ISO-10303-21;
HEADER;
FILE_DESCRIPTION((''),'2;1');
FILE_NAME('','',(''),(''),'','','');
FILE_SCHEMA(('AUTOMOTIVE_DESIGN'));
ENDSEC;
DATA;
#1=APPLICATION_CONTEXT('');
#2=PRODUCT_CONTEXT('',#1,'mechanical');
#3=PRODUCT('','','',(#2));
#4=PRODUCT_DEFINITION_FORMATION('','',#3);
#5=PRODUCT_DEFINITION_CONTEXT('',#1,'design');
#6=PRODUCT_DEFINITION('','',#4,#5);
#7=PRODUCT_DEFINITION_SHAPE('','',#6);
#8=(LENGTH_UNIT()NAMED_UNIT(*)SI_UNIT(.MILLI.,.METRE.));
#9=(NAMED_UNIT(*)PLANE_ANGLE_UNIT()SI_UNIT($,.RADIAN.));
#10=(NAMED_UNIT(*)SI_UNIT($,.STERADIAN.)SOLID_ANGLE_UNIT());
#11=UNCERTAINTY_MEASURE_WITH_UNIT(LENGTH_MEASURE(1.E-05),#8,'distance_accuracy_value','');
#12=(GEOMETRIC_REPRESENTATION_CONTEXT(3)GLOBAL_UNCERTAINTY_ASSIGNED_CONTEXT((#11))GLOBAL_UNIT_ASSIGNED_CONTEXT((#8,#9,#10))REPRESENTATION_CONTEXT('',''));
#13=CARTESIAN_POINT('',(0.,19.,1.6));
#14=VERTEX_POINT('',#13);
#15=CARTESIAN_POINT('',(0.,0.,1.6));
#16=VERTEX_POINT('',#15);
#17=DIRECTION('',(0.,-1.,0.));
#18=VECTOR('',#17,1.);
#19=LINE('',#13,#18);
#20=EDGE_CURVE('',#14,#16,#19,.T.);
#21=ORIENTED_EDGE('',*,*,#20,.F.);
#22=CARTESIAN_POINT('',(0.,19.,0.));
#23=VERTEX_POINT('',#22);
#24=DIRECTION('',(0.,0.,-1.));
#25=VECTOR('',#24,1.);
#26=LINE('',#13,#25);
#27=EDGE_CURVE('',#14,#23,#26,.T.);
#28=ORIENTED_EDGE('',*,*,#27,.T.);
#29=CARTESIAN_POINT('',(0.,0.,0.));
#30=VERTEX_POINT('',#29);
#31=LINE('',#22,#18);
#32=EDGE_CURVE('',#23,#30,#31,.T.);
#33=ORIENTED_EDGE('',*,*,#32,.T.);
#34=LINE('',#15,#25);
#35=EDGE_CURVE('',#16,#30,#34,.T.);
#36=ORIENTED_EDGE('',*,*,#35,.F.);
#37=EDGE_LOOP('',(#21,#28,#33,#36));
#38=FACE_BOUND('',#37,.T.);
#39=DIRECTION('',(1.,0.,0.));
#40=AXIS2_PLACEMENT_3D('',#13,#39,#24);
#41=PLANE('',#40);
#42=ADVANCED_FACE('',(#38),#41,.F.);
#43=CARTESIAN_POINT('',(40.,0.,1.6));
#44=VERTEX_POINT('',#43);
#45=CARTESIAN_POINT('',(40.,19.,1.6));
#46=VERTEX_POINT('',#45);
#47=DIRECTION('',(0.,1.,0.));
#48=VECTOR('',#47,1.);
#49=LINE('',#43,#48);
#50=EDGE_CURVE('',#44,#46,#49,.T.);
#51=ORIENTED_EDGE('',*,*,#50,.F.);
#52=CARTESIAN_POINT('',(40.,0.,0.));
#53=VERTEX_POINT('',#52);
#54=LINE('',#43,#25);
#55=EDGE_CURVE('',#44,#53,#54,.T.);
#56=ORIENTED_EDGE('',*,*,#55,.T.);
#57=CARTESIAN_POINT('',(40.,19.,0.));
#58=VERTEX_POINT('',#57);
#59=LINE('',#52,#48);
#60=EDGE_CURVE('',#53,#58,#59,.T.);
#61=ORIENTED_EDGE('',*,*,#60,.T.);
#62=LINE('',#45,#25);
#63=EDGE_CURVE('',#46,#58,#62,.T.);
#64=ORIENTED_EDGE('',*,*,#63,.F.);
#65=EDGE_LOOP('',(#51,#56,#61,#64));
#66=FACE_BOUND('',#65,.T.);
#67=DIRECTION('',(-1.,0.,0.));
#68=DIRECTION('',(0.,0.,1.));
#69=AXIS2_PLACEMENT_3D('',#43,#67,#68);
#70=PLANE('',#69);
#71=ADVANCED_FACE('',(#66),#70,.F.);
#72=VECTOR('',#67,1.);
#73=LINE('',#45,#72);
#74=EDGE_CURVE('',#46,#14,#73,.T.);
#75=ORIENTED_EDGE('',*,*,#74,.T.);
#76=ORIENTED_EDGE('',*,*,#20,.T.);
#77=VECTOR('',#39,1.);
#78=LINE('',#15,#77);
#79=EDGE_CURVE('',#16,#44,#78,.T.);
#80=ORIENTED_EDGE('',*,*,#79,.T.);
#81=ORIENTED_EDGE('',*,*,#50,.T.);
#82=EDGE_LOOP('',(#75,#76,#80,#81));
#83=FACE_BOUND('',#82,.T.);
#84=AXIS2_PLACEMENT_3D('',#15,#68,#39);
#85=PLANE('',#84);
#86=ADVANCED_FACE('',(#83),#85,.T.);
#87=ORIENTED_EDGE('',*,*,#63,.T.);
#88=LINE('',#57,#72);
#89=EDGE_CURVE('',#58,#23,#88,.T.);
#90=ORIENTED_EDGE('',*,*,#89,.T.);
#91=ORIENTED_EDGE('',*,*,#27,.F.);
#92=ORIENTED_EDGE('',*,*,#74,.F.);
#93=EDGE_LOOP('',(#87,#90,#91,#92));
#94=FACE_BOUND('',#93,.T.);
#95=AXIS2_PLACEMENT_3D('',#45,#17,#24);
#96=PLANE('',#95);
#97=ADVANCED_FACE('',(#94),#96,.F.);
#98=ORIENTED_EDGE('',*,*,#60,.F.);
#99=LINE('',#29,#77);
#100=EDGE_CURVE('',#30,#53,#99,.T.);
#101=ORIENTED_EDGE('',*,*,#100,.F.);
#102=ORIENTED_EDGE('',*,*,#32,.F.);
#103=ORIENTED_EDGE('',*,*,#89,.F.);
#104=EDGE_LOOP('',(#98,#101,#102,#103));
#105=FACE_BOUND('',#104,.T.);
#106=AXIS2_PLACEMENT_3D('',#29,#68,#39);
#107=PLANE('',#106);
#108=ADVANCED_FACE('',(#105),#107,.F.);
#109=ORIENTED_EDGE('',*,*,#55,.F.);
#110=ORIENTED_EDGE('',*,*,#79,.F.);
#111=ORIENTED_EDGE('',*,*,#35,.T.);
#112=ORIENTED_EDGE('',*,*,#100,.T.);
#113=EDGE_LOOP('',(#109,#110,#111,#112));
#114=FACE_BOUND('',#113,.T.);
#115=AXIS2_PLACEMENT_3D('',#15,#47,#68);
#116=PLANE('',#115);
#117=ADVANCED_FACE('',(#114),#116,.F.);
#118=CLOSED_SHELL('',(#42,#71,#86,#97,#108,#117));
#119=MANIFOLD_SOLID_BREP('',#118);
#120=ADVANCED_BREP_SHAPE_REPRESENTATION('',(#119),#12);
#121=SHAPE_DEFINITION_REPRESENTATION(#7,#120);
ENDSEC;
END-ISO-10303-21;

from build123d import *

# Parameters (mm, degrees)
SKETCH_1_W         = 40
SKETCH_1_H         = 19
BLOCKEXTRUDE_DEPTH = 1.6


with BuildPart() as part:
    # 草图1 → BlockExtrude (new body)
    with BuildSketch(Plane.XY):
        with Locations((20, 9.5)):
            Rectangle(SKETCH_1_W, SKETCH_1_H)
    extrude(amount=BLOCKEXTRUDE_DEPTH)


solid = part.part
